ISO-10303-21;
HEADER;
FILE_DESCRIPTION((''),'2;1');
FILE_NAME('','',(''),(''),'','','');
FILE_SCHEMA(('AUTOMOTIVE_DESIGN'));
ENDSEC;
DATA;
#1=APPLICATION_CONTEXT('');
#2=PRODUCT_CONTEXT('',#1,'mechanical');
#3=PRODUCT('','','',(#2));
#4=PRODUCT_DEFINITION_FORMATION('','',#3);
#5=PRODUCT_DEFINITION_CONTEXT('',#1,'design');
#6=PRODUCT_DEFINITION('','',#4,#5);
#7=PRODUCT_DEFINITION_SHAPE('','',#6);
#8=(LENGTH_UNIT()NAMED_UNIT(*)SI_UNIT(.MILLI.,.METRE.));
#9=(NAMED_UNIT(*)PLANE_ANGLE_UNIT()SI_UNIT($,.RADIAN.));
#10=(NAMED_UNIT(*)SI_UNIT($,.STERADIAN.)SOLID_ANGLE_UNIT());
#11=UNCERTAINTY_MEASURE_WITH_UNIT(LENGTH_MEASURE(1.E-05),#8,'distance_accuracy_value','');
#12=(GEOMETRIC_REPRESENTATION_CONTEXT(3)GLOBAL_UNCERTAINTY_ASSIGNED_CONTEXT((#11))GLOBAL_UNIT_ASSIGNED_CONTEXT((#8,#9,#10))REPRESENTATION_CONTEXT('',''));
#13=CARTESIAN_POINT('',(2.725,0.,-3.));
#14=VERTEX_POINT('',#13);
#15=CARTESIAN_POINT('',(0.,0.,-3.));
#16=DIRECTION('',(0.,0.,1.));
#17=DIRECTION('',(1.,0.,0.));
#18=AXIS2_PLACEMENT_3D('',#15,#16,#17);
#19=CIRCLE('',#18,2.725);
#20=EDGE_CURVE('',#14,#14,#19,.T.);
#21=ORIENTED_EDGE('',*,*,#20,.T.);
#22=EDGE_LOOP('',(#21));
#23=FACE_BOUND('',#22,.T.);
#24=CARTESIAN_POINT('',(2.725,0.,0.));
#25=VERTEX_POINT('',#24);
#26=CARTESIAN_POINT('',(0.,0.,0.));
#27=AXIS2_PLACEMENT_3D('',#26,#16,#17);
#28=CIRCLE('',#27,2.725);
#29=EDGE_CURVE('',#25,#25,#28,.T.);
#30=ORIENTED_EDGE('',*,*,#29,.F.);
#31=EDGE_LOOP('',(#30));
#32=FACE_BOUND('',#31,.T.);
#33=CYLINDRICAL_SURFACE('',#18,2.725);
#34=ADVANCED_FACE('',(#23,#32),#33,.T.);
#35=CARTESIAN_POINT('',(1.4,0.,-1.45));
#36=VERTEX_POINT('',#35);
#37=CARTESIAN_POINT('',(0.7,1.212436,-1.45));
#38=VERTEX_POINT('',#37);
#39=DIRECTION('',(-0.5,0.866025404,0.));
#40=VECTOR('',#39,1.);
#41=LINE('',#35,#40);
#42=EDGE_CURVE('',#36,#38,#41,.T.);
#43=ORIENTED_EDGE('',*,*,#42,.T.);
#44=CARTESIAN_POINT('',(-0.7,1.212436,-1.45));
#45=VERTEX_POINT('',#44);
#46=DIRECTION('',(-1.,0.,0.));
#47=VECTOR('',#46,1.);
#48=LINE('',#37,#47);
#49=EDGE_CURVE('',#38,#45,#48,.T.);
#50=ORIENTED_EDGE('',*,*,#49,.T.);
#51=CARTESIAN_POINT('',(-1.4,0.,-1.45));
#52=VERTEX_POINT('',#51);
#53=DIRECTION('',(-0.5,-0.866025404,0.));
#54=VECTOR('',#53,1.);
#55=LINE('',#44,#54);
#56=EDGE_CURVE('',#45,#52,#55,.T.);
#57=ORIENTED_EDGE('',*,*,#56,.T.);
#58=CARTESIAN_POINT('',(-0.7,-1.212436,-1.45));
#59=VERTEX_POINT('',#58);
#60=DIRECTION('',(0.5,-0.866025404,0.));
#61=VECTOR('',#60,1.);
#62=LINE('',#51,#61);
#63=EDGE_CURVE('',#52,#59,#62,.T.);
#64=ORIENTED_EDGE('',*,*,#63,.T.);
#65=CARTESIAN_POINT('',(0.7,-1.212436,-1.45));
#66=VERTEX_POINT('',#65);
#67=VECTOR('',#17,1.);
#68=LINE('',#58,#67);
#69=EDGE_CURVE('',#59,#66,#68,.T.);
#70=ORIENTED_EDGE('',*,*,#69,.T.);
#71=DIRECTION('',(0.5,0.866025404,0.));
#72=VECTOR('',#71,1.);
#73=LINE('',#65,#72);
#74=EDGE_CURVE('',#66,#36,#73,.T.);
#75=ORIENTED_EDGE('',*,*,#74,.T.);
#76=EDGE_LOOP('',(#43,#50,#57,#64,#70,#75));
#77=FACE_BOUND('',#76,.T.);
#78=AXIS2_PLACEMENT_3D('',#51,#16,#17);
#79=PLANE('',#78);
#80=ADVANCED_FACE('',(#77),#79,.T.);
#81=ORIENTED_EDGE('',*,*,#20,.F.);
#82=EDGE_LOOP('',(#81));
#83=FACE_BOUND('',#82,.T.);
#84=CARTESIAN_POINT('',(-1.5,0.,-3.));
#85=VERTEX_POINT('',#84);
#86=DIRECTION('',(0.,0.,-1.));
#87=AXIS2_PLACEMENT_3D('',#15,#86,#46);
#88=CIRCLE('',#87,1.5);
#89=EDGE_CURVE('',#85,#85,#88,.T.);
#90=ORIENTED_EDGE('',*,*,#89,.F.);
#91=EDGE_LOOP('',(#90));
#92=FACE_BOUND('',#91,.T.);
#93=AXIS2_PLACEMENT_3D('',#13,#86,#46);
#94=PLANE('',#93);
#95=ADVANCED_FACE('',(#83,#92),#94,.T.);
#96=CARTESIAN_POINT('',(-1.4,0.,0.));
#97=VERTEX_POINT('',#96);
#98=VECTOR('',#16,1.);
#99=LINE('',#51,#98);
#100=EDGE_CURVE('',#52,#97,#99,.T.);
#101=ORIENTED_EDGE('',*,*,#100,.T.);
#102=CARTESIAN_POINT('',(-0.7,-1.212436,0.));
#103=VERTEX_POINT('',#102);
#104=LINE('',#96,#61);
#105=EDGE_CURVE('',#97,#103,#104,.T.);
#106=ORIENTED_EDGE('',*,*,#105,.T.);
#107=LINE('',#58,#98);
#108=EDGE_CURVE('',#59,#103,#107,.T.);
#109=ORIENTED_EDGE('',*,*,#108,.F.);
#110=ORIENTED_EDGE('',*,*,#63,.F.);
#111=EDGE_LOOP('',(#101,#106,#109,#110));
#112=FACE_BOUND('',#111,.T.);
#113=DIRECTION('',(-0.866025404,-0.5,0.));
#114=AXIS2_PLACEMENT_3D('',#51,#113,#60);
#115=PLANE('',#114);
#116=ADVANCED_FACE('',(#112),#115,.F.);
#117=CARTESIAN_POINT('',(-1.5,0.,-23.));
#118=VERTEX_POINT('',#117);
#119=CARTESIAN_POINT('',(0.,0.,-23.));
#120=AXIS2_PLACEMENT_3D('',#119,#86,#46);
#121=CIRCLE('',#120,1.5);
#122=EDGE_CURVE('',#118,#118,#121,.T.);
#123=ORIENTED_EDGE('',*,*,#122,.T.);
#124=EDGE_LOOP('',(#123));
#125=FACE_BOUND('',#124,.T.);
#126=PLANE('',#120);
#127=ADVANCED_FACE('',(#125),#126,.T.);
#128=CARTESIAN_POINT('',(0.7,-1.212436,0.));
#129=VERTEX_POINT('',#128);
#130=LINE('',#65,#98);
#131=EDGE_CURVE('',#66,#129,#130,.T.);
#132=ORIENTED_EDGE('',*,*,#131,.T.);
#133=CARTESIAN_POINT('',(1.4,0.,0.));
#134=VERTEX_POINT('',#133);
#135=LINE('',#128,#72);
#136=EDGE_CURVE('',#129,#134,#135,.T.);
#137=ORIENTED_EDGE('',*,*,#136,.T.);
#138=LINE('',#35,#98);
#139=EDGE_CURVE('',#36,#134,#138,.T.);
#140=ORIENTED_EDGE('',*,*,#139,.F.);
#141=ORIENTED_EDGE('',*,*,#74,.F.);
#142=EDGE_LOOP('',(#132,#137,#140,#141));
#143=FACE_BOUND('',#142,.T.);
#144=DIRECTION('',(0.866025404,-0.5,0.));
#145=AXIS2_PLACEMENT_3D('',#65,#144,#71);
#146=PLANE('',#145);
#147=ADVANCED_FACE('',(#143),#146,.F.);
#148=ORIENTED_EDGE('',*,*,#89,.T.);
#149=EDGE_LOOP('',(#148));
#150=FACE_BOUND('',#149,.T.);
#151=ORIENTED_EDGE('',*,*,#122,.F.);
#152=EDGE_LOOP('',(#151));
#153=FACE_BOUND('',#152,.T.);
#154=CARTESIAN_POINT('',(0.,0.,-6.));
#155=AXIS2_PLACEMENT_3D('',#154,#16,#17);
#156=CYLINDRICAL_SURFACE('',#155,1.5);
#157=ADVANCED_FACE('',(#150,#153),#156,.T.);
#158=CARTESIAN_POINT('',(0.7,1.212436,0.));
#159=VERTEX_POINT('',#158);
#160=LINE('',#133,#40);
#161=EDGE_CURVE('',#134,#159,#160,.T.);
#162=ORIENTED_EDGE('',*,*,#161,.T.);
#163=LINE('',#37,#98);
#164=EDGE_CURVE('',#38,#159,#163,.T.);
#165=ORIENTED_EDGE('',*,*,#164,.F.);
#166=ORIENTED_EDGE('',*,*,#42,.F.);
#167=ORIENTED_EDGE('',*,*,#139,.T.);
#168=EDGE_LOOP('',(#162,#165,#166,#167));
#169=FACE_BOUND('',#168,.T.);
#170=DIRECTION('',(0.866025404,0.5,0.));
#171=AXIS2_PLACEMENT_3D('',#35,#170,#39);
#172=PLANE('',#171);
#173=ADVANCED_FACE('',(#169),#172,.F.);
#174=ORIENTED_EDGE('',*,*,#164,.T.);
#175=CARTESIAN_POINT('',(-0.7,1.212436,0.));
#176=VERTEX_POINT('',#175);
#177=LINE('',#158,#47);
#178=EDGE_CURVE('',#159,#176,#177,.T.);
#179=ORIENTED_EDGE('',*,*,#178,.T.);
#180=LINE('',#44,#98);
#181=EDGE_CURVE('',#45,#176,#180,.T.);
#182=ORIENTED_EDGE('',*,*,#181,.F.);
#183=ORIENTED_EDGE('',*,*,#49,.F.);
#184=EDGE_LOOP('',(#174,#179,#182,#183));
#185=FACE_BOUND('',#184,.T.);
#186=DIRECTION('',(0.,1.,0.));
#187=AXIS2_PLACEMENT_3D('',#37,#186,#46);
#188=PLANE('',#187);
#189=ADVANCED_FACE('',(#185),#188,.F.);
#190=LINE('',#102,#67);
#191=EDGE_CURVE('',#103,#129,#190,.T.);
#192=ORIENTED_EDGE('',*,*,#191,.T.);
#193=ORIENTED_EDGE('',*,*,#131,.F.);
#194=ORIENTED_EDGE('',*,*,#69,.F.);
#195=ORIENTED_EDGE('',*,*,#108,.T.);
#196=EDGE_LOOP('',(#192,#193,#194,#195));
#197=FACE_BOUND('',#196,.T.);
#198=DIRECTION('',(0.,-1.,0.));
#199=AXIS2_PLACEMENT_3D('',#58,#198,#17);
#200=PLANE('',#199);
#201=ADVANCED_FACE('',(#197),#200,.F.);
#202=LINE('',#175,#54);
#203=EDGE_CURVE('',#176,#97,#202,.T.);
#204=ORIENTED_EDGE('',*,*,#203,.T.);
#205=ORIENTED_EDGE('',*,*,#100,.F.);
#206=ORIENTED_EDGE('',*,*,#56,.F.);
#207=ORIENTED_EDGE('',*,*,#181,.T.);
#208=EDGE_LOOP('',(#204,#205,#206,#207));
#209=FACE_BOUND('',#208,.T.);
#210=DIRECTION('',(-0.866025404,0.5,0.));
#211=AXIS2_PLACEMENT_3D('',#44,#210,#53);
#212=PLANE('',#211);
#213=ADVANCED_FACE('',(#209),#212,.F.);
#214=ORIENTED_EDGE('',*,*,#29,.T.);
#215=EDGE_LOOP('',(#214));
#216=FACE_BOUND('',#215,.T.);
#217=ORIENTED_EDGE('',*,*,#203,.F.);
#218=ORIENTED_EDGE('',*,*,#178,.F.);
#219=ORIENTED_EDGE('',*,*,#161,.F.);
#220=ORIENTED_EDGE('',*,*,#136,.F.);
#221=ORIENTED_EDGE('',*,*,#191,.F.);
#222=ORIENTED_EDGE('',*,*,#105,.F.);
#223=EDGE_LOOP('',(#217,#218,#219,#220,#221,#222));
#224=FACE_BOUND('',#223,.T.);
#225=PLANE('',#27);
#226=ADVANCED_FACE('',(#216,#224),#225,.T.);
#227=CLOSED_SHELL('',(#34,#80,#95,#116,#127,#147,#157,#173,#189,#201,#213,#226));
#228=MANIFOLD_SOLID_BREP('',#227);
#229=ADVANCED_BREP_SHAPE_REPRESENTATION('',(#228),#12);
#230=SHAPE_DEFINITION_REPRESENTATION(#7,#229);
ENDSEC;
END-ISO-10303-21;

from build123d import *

# Parameters (mm, degrees)
SKETCH1_W           = 2.725
SKETCH1_H           = 3
SKETCH2_R           = 1.5
BOSS_EXTRUDE1_DEPTH = 3
SKETCH3_R           = 1.5
BOSS_EXTRUDE2_DEPTH = 17
CUT_EXTRUDE1_DEPTH  = 1.45


with BuildPart() as part:
    # Sketch1 → Revolve1 (revolve)
    with BuildSketch(Plane(origin=(0, 0, 0), x_dir=(1, 0, 0), z_dir=(0, 1, 0))):
        with Locations((1.3625, 1.5)):
            Rectangle(SKETCH1_W, SKETCH1_H)
    revolve(axis=Axis((0, 0, -3), (0, 0, 1)))

    # Sketch2 → Boss-Extrude1 (add)
    with BuildSketch(Plane(origin=(0, 0, -3), x_dir=(-1, 0, 0), z_dir=(0, 0, -1))):
        Circle(SKETCH2_R)
    extrude(amount=BOSS_EXTRUDE1_DEPTH)

    # Sketch3 → Boss-Extrude2 (add)
    with BuildSketch(Plane(origin=(0, 0, -6), x_dir=(-1, 0, 0), z_dir=(0, 0, -1))):
        Circle(SKETCH3_R)
    extrude(amount=BOSS_EXTRUDE2_DEPTH)

    # Sketch4 → Cut-Extrude1 (cut)
    with BuildSketch(Plane.XY):
        Polygon((-1.4, 0), (-0.7, -1.212435565), (0.7, -1.212435565), (1.4, 0), (0.7, 1.212435565), (-0.7, 1.212435565), align=None)
    extrude(amount=-CUT_EXTRUDE1_DEPTH, mode=Mode.SUBTRACT)


solid = part.part
